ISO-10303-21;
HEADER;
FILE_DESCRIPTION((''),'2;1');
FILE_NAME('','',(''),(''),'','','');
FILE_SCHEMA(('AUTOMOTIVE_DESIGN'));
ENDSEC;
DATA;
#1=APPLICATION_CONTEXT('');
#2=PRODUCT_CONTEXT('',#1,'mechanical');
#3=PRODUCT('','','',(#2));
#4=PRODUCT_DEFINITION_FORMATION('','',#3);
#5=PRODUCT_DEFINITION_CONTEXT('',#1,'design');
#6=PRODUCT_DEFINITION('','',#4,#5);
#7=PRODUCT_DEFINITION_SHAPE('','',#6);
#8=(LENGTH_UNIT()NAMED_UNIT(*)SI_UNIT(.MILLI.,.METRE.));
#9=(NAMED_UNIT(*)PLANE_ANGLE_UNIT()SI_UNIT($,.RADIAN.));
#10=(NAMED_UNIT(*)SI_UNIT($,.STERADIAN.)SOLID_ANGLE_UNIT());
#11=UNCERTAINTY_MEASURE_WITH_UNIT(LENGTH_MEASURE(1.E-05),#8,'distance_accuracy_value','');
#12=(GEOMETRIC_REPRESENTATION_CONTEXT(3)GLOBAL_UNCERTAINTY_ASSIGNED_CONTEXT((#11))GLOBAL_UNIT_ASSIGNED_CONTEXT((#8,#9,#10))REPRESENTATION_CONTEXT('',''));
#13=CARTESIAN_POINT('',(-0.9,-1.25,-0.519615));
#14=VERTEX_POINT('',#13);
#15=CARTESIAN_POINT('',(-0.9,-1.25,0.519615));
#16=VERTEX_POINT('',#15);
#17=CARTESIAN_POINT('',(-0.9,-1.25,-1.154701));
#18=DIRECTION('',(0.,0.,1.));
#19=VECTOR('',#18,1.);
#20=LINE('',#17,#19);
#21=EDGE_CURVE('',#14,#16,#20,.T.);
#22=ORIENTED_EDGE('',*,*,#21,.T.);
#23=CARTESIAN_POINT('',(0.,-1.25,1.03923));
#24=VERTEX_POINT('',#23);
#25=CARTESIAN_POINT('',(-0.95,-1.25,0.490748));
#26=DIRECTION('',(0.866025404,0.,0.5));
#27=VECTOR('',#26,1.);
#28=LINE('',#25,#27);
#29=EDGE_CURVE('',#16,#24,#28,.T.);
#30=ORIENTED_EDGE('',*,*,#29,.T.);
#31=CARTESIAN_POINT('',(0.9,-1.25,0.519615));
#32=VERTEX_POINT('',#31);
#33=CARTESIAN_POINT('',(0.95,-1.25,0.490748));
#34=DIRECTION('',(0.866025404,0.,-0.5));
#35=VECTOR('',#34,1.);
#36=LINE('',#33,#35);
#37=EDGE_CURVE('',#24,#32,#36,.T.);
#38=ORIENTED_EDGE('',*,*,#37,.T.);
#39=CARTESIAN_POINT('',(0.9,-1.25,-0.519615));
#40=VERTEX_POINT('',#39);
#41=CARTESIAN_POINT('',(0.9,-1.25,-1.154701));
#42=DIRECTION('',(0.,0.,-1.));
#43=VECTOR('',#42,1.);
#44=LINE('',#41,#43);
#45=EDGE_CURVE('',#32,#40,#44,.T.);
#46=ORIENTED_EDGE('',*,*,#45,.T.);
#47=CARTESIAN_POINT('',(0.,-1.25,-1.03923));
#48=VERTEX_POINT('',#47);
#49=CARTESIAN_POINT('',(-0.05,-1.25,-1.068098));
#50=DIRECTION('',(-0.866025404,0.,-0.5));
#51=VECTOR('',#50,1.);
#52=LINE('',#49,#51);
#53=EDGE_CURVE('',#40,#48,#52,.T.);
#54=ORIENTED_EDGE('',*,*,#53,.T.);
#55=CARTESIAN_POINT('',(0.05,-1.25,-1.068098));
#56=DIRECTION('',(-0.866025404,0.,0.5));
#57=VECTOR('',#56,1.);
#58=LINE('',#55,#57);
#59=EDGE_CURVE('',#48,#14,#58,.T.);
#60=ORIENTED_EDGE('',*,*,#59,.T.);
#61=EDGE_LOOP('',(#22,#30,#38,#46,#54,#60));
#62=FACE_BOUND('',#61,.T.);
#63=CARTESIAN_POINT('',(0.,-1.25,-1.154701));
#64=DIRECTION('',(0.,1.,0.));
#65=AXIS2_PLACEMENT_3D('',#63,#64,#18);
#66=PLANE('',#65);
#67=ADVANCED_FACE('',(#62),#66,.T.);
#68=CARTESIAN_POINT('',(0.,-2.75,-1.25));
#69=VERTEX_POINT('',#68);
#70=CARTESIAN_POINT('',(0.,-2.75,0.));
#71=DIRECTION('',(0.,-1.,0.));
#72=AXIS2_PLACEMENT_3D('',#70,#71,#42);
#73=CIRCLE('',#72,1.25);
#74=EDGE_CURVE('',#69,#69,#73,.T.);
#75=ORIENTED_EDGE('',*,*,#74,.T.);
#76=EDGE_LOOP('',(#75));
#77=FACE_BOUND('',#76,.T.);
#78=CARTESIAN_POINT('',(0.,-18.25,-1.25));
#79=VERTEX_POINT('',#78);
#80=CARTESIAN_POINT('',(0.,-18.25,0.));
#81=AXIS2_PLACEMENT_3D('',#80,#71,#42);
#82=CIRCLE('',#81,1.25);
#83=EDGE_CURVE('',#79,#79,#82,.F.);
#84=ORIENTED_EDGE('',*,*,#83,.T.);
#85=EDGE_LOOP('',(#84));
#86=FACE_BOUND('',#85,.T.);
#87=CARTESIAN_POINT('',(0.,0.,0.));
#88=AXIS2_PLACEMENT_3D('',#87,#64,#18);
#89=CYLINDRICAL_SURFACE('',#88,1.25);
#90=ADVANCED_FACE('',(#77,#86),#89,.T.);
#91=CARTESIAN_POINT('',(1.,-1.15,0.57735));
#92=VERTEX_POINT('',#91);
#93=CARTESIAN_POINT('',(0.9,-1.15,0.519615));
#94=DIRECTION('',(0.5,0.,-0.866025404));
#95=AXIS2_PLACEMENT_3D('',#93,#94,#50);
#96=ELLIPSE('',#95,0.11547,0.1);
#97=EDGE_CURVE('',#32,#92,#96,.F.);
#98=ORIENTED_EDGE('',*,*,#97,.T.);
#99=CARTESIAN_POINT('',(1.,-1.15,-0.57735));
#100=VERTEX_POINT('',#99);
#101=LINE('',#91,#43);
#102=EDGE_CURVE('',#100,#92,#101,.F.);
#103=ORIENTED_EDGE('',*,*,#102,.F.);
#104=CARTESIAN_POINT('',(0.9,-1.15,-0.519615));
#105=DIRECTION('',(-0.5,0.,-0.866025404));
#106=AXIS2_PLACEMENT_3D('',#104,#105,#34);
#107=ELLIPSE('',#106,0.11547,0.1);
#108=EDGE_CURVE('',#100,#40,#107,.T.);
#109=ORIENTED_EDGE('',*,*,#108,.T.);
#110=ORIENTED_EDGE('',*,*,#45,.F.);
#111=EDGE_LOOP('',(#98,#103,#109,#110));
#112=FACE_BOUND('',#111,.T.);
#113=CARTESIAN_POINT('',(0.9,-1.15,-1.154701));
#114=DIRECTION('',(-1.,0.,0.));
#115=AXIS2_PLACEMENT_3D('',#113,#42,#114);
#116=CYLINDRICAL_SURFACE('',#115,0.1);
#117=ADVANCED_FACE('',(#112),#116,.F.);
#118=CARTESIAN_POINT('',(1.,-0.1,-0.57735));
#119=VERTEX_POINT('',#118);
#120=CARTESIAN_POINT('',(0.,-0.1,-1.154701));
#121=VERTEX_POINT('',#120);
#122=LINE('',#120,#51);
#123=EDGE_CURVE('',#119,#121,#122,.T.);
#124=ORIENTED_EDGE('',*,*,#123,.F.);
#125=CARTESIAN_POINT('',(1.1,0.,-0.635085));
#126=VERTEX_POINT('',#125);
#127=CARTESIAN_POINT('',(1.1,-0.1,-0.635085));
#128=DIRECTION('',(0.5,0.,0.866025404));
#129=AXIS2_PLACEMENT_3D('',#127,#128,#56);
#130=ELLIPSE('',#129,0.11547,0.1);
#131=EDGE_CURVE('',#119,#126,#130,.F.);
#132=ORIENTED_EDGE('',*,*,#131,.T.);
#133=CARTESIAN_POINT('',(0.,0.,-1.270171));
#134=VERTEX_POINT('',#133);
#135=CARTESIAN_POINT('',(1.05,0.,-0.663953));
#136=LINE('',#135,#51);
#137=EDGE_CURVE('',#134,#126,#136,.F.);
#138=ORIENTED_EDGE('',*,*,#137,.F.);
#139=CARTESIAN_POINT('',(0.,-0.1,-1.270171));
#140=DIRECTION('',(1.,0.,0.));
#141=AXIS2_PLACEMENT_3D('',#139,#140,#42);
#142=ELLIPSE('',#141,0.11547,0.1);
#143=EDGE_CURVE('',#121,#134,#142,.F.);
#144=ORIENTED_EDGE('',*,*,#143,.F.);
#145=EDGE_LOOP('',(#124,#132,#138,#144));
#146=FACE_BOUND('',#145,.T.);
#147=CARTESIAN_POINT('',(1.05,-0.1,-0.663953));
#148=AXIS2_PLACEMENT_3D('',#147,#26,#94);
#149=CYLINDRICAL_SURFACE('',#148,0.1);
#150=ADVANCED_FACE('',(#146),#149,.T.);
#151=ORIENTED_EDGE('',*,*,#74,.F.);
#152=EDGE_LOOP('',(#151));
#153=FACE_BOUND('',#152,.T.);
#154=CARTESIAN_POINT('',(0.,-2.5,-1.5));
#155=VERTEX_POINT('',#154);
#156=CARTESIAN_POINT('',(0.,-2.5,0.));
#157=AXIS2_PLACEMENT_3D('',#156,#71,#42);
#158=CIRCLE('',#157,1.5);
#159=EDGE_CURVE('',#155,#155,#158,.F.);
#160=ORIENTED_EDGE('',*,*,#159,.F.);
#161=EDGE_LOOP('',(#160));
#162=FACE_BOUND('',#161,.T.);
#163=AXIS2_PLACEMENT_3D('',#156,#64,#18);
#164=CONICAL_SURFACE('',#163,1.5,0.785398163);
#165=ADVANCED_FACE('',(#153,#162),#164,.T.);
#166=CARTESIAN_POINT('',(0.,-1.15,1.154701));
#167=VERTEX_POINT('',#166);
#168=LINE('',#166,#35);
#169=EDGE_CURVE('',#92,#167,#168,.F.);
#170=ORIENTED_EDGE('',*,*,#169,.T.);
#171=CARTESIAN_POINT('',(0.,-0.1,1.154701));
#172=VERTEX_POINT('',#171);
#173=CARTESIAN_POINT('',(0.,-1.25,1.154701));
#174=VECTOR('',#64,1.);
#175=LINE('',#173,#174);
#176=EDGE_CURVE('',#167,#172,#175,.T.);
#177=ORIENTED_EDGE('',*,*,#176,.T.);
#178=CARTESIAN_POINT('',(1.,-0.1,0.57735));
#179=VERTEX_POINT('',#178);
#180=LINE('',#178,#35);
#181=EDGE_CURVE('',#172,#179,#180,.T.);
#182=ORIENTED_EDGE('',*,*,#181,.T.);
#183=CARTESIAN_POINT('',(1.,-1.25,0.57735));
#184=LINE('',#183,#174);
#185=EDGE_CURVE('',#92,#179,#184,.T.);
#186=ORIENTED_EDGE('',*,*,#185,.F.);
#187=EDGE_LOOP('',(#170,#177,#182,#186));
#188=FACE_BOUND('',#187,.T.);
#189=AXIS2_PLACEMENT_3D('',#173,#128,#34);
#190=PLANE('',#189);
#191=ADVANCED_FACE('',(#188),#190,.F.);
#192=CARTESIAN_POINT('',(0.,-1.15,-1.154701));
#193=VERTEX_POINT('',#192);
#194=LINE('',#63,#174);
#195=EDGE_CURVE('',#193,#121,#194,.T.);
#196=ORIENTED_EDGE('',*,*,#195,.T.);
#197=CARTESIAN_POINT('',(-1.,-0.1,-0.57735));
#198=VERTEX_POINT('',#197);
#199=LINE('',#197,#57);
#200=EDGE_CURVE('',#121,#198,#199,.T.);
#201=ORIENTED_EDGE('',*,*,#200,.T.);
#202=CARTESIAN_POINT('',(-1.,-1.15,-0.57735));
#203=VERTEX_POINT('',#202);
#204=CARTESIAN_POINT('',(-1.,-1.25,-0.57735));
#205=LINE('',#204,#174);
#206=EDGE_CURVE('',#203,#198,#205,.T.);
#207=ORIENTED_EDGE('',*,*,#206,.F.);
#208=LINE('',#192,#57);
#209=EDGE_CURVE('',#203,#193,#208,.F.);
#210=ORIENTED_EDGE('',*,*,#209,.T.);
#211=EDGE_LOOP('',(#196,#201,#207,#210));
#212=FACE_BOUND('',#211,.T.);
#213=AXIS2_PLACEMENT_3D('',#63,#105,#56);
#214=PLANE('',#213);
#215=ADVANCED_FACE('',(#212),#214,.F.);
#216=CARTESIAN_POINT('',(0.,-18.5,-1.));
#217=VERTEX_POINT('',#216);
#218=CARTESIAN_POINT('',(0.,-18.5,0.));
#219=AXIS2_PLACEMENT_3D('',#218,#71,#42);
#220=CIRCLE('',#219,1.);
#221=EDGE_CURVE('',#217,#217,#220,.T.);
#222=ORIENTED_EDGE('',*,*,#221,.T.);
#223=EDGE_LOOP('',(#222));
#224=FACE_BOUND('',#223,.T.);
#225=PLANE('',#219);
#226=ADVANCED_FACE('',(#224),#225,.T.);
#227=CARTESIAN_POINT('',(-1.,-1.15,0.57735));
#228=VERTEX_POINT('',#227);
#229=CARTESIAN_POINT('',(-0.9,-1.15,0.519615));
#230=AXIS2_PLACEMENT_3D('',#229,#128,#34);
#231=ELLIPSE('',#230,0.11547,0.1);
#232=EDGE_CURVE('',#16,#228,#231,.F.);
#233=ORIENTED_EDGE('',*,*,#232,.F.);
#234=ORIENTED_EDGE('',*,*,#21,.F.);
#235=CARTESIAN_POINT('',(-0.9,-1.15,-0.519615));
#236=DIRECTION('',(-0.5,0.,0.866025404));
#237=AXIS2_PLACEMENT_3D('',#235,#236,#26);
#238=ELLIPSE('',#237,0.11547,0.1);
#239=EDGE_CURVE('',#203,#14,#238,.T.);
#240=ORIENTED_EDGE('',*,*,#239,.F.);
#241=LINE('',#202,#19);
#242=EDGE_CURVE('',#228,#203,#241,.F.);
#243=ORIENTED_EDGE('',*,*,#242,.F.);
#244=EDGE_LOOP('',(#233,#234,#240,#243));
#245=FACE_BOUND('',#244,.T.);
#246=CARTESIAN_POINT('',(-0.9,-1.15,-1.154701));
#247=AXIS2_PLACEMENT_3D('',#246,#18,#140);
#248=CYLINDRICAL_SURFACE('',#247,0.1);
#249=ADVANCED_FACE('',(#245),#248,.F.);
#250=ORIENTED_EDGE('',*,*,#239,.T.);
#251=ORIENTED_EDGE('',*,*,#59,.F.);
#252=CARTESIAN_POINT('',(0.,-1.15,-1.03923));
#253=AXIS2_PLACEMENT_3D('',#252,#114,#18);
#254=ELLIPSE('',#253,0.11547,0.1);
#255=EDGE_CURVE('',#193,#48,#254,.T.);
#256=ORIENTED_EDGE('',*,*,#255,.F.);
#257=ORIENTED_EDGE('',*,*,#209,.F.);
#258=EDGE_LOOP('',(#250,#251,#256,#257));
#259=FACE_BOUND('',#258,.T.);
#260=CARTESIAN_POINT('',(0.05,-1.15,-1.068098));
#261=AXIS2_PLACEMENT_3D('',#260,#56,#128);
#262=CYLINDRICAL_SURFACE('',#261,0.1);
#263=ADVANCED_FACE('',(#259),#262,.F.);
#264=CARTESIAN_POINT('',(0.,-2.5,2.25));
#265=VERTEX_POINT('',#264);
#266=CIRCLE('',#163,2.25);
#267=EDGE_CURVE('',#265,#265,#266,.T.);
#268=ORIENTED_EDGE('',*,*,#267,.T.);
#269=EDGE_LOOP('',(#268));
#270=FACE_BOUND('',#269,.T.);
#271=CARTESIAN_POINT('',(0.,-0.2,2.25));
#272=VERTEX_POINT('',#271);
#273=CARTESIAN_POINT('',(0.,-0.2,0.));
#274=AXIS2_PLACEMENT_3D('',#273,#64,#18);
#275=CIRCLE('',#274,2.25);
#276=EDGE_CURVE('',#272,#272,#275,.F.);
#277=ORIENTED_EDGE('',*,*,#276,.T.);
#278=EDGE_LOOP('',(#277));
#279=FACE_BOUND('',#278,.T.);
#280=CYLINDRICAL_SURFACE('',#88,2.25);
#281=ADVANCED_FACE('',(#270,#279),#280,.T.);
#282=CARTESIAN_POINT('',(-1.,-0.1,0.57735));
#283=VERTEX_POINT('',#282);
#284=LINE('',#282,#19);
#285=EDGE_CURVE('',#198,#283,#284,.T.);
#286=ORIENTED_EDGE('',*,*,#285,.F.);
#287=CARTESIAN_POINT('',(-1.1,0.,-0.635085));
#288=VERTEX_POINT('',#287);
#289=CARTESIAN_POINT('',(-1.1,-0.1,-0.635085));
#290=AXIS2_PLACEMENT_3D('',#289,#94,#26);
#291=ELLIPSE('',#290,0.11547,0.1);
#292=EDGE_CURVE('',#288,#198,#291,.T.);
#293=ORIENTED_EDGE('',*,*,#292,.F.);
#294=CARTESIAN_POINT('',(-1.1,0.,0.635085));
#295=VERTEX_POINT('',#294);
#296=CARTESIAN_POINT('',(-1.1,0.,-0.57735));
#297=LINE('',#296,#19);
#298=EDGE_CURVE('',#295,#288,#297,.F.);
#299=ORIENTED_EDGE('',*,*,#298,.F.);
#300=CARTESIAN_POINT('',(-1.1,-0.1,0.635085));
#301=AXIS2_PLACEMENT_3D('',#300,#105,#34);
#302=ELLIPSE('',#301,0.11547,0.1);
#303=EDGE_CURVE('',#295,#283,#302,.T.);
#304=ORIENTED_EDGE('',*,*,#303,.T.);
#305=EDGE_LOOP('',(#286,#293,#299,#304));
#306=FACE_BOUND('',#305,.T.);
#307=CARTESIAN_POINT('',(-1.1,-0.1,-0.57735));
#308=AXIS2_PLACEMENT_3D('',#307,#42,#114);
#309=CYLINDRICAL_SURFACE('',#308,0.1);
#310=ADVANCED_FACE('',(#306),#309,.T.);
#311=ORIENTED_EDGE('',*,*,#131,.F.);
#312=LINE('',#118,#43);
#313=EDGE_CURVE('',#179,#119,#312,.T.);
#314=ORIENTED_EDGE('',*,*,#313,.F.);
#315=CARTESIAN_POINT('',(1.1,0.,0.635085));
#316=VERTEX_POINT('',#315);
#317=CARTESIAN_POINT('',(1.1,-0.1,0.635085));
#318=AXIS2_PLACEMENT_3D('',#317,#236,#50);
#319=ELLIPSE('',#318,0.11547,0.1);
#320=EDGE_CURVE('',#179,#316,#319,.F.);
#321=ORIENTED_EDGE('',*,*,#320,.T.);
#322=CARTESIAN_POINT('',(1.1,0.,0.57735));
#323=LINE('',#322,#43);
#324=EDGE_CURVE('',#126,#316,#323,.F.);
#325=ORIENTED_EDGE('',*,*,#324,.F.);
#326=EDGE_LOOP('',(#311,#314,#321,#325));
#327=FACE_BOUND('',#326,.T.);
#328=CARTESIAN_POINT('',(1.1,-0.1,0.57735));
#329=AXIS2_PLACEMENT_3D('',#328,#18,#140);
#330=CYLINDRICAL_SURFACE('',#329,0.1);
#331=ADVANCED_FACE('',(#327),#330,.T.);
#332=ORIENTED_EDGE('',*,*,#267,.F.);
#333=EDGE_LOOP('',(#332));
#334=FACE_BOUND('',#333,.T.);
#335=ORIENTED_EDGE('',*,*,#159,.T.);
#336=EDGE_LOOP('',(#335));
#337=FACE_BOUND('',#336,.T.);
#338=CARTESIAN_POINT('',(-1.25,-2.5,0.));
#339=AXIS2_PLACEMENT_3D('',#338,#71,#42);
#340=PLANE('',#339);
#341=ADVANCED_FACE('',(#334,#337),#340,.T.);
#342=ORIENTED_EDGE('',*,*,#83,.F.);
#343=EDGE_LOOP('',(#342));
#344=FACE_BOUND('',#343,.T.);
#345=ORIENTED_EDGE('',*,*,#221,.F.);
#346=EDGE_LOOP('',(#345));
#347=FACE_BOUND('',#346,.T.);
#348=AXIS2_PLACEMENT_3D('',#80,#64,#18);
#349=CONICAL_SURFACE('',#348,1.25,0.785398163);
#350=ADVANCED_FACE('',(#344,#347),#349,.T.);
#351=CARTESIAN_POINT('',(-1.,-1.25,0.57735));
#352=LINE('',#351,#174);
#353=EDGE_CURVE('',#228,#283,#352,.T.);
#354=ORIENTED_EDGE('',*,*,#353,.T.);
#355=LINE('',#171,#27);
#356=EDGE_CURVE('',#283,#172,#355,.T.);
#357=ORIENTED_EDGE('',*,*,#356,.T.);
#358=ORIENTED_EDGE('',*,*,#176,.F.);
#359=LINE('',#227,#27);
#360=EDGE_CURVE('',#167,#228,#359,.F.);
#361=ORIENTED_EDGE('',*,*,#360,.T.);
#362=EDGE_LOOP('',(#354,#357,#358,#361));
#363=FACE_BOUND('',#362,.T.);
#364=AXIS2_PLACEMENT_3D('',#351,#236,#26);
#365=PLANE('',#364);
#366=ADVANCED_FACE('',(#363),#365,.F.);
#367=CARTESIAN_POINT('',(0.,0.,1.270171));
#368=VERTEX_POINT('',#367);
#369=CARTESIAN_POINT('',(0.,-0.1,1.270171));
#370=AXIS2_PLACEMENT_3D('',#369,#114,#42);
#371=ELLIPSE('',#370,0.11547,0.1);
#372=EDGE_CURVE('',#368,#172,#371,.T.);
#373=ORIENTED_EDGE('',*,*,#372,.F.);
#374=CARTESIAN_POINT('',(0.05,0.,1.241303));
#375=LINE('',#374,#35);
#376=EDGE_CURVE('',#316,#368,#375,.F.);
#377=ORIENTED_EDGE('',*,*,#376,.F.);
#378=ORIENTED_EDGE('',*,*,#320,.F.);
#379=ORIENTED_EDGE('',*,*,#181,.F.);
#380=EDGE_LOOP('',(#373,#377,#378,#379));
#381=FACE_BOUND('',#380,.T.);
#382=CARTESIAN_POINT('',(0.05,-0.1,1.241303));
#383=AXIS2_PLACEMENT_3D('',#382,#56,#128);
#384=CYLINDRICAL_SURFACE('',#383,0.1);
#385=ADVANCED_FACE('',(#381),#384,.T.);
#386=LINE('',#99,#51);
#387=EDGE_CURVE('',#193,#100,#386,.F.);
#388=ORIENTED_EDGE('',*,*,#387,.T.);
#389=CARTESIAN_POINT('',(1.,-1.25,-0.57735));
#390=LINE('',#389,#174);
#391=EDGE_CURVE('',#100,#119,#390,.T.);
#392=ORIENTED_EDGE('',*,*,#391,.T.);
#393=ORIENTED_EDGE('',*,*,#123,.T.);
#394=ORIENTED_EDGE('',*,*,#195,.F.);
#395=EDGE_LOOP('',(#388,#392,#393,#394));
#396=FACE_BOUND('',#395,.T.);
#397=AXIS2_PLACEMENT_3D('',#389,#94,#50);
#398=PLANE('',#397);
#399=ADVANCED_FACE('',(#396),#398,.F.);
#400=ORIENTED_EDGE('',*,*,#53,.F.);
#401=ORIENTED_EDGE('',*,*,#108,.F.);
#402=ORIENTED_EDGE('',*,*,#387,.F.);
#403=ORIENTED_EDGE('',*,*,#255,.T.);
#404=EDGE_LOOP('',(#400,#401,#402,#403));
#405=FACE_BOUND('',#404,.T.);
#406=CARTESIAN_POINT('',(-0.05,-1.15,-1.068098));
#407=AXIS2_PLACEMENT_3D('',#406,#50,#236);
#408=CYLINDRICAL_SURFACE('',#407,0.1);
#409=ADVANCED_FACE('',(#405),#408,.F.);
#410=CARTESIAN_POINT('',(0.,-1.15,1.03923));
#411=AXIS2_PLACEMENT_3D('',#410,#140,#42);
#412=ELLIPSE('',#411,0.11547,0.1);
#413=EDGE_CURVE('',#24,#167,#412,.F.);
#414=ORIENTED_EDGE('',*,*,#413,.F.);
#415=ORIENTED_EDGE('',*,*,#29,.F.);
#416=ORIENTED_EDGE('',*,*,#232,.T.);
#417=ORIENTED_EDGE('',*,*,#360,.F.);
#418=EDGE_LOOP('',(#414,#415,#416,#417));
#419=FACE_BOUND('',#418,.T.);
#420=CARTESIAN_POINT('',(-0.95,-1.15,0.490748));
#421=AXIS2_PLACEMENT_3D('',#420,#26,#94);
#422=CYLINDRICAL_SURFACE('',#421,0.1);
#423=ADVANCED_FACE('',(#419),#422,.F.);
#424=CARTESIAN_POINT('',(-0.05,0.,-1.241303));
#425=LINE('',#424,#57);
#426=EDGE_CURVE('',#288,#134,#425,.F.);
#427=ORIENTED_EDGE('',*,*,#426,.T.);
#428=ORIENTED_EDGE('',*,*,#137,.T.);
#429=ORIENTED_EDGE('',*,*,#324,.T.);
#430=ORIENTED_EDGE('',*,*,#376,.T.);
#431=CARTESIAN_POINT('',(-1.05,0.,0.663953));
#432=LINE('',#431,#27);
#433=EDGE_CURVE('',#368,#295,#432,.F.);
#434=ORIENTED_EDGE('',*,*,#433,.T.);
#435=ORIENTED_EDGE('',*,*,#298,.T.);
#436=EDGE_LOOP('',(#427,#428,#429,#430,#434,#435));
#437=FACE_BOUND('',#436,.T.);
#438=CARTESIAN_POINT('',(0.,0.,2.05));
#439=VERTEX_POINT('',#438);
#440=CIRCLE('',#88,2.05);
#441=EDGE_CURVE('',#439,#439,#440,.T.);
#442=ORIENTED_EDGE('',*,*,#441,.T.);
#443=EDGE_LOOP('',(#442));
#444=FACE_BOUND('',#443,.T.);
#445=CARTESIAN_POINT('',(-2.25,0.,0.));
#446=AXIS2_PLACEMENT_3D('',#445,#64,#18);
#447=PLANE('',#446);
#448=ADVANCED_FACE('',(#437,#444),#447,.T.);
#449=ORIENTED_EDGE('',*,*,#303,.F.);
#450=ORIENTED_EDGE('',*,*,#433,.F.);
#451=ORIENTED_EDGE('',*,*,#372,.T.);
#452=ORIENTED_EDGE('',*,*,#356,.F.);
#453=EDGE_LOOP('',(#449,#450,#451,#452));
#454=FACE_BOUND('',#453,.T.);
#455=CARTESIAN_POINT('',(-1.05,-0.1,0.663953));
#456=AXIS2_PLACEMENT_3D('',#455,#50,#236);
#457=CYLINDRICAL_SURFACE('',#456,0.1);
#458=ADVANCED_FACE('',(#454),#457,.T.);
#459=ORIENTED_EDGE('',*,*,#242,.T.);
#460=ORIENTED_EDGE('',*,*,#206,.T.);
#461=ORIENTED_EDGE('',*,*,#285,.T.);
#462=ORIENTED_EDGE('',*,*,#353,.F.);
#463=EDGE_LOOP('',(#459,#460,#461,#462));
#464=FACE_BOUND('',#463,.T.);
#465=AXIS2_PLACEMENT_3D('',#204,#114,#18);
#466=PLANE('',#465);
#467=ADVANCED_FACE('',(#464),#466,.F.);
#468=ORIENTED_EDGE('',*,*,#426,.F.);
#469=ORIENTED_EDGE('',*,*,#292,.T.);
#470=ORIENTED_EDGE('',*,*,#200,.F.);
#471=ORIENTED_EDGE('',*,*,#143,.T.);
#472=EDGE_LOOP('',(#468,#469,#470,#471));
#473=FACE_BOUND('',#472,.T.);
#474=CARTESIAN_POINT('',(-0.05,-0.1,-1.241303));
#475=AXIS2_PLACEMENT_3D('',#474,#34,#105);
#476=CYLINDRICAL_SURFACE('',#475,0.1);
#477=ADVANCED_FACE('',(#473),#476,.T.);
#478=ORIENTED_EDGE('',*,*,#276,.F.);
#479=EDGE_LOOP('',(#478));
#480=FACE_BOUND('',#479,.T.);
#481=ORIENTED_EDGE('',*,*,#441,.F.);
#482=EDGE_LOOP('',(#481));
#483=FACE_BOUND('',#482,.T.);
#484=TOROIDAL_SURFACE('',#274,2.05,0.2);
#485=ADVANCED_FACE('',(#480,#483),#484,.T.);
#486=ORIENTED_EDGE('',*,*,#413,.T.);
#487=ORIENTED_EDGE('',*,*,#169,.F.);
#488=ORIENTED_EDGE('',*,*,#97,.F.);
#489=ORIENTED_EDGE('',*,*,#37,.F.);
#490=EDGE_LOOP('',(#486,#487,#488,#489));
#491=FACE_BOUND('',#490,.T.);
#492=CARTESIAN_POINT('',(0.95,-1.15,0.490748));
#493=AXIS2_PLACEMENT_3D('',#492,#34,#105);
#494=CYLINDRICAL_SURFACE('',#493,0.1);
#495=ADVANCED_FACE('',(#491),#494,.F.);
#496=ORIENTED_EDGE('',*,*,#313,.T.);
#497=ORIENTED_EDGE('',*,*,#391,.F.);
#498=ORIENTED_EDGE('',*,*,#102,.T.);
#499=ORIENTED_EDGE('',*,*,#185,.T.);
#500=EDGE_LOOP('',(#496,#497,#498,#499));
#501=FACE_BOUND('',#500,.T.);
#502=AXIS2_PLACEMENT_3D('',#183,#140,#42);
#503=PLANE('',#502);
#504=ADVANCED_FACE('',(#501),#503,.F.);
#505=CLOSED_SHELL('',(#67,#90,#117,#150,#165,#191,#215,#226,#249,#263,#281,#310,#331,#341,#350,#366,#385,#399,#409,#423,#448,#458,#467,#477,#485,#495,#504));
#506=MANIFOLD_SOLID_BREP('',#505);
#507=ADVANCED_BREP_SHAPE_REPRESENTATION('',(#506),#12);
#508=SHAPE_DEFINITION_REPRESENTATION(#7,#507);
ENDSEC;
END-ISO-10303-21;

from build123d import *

# Parameters (mm, degrees)
CHAMFER1_SIZE      = 0.25
FILLET1_R          = 0.2
CUT_EXTRUDE1_DEPTH = 1.25
FILLET2_R          = 0.1


with BuildPart() as part:
    # Sketch1 → Revolve1 (revolve)
    with BuildSketch(Plane.XY, mode=Mode.PRIVATE) as revolve1_sk:
        Polygon((0, -18.5), (-1.25, -18.5), (-1.25, -2.5), (-2.25, -2.5), (-2.25, 0), (0, 0), align=None)
    revolve(revolve1_sk.sketch.rotate(Axis((0, 0, 0), (0, -1, 0)), 270), axis=Axis((0, 0, 0), (0, -1, 0)))

    # Chamfer1
    chamfer1_edges = [part.edges().sort_by_distance(p)[0] for p in [
        (0, -2.5, -1.25),
        (0, -18.5, -1.25),
    ]]
    chamfer(chamfer1_edges, length=CHAMFER1_SIZE)

    # Fillet1
    fillet1_edges = [part.edges().sort_by_distance(p)[0] for p in [
        (0, 0, -2.25),
    ]]
    fillet(fillet1_edges, radius=FILLET1_R)

    # Sketch2 → Cut-Extrude1 (cut)
    with BuildSketch(Plane(origin=(0, 0, 0), x_dir=(1, 0, 0), z_dir=(0, 1, 0))):
        Polygon((0, 1.154700538), (-1, 0.577350269), (-1, -0.577350269), (0, -1.154700538), (1, -0.577350269), (1, 0.577350269), align=None)
    extrude(amount=-CUT_EXTRUDE1_DEPTH, mode=Mode.SUBTRACT)

    # Fillet2
    fillet2_edges = [part.edges().sort_by_distance(p)[0] for p in [
        (0.5, -1.25, -0.866025404),
        (1, -1.25, 0),
        (0.5, -1.25, 0.866025404),
        (-0.5, -1.25, 0.866025404),
        (-1, -1.25, 0),
        (-0.5, -1.25, -0.866025404),
        (0.4999999999999987, 0, -0.8660254037844397),
        (-0.5000000000000006, 0, -0.8660254037844395),
        (-1, 0, 0),
        (-0.5000000000000007, 0, 0.8660254037844379),
        (0.4999999999999988, 0, 0.8660254037844382),
        (1, 0, 0),
    ]]
    fillet(fillet2_edges, radius=FILLET2_R)


solid = part.part
